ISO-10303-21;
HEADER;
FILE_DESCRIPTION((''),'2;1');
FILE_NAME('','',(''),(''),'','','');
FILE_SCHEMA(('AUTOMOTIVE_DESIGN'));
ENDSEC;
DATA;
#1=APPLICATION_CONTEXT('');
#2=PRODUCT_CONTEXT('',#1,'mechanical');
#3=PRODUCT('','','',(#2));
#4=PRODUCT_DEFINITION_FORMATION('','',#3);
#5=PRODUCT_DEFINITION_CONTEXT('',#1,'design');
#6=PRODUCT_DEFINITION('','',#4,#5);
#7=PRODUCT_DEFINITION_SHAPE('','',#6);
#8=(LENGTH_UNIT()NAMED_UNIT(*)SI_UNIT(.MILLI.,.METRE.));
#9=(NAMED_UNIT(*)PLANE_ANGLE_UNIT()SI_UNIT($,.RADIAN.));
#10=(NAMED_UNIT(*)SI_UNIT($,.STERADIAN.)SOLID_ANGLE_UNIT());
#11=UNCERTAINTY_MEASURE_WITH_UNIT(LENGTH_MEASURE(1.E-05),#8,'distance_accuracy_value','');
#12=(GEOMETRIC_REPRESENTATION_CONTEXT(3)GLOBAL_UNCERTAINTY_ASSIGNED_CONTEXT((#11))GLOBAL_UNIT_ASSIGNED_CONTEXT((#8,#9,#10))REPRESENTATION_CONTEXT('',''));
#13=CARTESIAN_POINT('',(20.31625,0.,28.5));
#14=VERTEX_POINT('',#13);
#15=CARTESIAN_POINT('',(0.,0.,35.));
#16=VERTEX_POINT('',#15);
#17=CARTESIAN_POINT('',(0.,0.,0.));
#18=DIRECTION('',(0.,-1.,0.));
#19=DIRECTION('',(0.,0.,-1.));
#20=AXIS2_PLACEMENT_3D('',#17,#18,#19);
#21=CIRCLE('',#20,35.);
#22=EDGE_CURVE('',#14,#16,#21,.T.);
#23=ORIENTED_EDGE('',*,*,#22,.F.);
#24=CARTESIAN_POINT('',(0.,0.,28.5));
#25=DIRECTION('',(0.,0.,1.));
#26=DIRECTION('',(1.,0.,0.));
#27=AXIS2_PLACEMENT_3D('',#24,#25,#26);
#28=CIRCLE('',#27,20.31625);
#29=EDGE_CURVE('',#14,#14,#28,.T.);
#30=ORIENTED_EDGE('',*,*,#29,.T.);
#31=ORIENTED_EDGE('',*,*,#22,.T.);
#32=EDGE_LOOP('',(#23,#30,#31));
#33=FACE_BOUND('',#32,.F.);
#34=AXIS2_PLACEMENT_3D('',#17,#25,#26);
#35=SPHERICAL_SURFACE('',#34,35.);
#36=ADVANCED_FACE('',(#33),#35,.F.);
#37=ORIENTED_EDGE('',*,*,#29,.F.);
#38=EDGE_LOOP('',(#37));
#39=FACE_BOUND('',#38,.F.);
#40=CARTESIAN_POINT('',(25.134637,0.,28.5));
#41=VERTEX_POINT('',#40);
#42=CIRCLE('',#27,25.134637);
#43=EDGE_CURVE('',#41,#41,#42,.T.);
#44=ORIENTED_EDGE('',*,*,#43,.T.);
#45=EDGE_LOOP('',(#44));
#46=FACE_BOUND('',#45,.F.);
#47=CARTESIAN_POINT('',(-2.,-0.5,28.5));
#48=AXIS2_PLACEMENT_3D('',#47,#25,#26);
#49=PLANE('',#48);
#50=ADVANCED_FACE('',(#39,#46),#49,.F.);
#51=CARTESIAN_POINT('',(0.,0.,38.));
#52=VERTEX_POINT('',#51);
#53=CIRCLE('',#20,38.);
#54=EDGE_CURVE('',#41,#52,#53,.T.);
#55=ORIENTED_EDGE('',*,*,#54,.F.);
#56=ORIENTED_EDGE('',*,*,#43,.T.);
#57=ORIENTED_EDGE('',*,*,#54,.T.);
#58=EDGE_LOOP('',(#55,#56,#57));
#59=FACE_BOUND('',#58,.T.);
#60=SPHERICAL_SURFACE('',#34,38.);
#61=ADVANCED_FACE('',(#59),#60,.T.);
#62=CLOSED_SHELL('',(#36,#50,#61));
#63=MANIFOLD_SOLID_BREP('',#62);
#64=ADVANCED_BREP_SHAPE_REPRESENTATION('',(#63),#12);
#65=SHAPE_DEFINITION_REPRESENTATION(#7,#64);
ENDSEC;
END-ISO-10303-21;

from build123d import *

# Parameters (mm, degrees)
CYLINDER032_R               = 9
CYLINDER032_DEPTH           = 10
CYLINDER032_PITCH_ANGLE     = 90
BOX034_W                    = 10
BOX034_H                    = 18
BOX034_DEPTH                = 6
CYLINDER031_R               = 9
CYLINDER031_DEPTH           = 10
CYLINDER031_PITCH_ANGLE     = 90
CYLINDER030_R               = 7.5
CYLINDER030_DEPTH           = 20
CYLINDER030_PITCH_ANGLE     = 90
BOX030_W                    = 98
BOX030_H                    = 98
BOX030_DEPTH                = 98
CYLINDER028_R               = 4
CYLINDER028_DEPTH           = 52
CYLINDER028_PITCH_ANGLE     = -90
CYLINDER028_PLACEMENT_ANGLE = 170
BOX032_W                    = 120
BOX032_H                    = 64
BOX032_DEPTH                = 15
BOX032_PLACEMENT_ANGLE      = 45
BOX031_W                    = 120
BOX031_H                    = 61
BOX031_DEPTH                = 15
BOX031_PLACEMENT_ANGLE      = -10
CYLINDER029_R               = 52
CYLINDER029_DEPTH           = 8
CYLINDER027_R               = 4
CYLINDER027_DEPTH           = 52
CYLINDER027_PITCH_ANGLE     = -90
CYLINDER027_PLACEMENT_ANGLE = 45
BOX033_W                    = 10
BOX033_H                    = 47
BOX033_DEPTH                = 24
BOX028_W                    = 74
BOX028_H                    = 59
BOX028_DEPTH                = 24


with BuildPart() as cilindro024:
    # Cylinder032 → Cylinder032 (new body)
    with BuildSketch(Plane.XY):
        Circle(CYLINDER032_R)
    extrude(amount=CYLINDER032_DEPTH)


with BuildPart() as cilindro024_1:
    # Cylinder032 pitch: moved
    add(cilindro024.part.rotate(Axis((0, 0, 0), (0, 1, 0)), CYLINDER032_PITCH_ANGLE))


with BuildPart() as cilindro024_2:
    # Cylinder032 placement: moved
    add(cilindro024_1.part.moved(Location((-33, 0, 3))))


with BuildPart() as cubo027:
    # Box034 → Box034 (new body)
    with BuildSketch(Plane(origin=(-33, -9, -3), x_dir=(1, 0, 0), z_dir=(0, 0, 1))):
        with Locations((5, 9)):
            Rectangle(BOX034_W, BOX034_H)
    extrude(amount=BOX034_DEPTH)


with BuildPart() as huecocamara002:
    # Cylinder031 → Cylinder031 (new body)
    with BuildSketch(Plane.XY):
        Circle(CYLINDER031_R)
    extrude(amount=CYLINDER031_DEPTH)


with BuildPart() as huecocamara002_1:
    # Cylinder031 pitch: moved
    add(huecocamara002.part.rotate(Axis((0, 0, 0), (0, 1, 0)), CYLINDER031_PITCH_ANGLE))


with BuildPart() as huecocamara002_2:
    # Cylinder031 placement: moved
    add(huecocamara002_1.part.moved(Location((-33, 0, -3))))

    # Fusion022: union Cilindro024, Cubo027
    add(cilindro024_2.part)
    add(cubo027.part)


with BuildPart() as objetivo003:
    # Cylinder030 → Cylinder030 (new body)
    with BuildSketch(Plane.XY):
        Circle(CYLINDER030_R)
    extrude(amount=CYLINDER030_DEPTH)


with BuildPart() as objetivo003_1:
    # Cylinder030 pitch: moved
    add(objetivo003.part.rotate(Axis((0, 0, 0), (0, 1, 0)), CYLINDER030_PITCH_ANGLE))


with BuildPart() as objetivo003_2:
    # Cylinder030 placement: moved
    add(objetivo003_1.part.moved(Location((-46, 0, 0))))


with BuildPart() as quitamitadesizquierda001:
    # Box030 → Box030 (new body)
    with BuildSketch(Plane(origin=(-51, 49, 0), x_dir=(1, 0, 0), z_dir=(0, 0, -1))):
        with Locations((49, 49)):
            Rectangle(BOX030_W, BOX030_H)
    extrude(amount=BOX030_DEPTH)


with BuildPart() as cilindro021:
    # Cylinder028 → Cylinder028 (new body)
    with BuildSketch(Plane.XY):
        Circle(CYLINDER028_R)
    extrude(amount=CYLINDER028_DEPTH)


with BuildPart() as cilindro021_1:
    # Cylinder028 pitch: moved
    add(cilindro021.part.rotate(Axis((0, 0, 0), (0, 1, 0)), CYLINDER028_PITCH_ANGLE))


with BuildPart() as cilindro021_2:
    # Cylinder028 placement: moved
    add(cilindro021_1.part.rotate(Axis((0, 0, 0), (0, 0, 1)), CYLINDER028_PLACEMENT_ANGLE))


with BuildPart() as cubo025:
    # Box032 → Box032 (new body)
    with BuildSketch(Plane.XY):
        with Locations((60, 32)):
            Rectangle(BOX032_W, BOX032_H)
    extrude(amount=BOX032_DEPTH)


with BuildPart() as cubo025_1:
    # Box032 placement: moved
    add(cubo025.part.moved(Location((-42.426407, -42.426407, -9))).rotate(Axis((-42.426407, -42.426407, -9), (0, 0, 1)), BOX032_PLACEMENT_ANGLE))


with BuildPart() as cubo024:
    # Box031 → Box031 (new body)
    with BuildSketch(Plane.XY):
        with Locations((60, 30.5)):
            Rectangle(BOX031_W, BOX031_H)
    extrude(amount=BOX031_DEPTH)


with BuildPart() as cubo024_1:
    # Box031 placement: moved
    add(cubo024.part.moved(Location((-59.088465, 10.418891, -8))).rotate(Axis((-59.088465, 10.418891, -8), (0, 0, 1)), BOX031_PLACEMENT_ANGLE))


with BuildPart() as cut043:
    # Cylinder029 → Cylinder029 (new body)
    with BuildSketch(Plane.XY.offset(-4)):
        Circle(CYLINDER029_R)
    extrude(amount=CYLINDER029_DEPTH)

    # Cut045: cut Cubo024
    add(cubo024_1.part, mode=Mode.SUBTRACT)

    # Cut043: cut Cubo025
    add(cubo025_1.part, mode=Mode.SUBTRACT)


with BuildPart() as ranura005:
    # Cylinder027 → Cylinder027 (new body)
    with BuildSketch(Plane.XY):
        Circle(CYLINDER027_R)
    extrude(amount=CYLINDER027_DEPTH)


with BuildPart() as ranura005_1:
    # Cylinder027 pitch: moved
    add(ranura005.part.rotate(Axis((0, 0, 0), (0, 1, 0)), CYLINDER027_PITCH_ANGLE))


with BuildPart() as ranura005_2:
    # Cylinder027 placement: moved
    add(ranura005_1.part.rotate(Axis((0, 0, 0), (0, 0, 1)), CYLINDER027_PLACEMENT_ANGLE))

    # Fusion020: union Cilindro021, Cut043
    add(cilindro021_2.part)
    add(cut043.part)


with BuildPart() as vaciocarcasa004:
    # Sphere006 → Sphere006 (revolve)
    with BuildSketch(Plane.XZ):
        with BuildLine():
            ThreePointArc((0, -35), (35, 0), (0, 35))
            Line((0, 35), (0, -35))
        make_face()
    revolve(axis=Axis((0, 0, 0), (0, 0, 1)))


with BuildPart() as semider005:
    # Sphere007 → Sphere007 (revolve)
    with BuildSketch(Plane.XZ):
        with BuildLine():
            ThreePointArc((0, -38), (38, 0), (0, 38))
            Line((0, 38), (0, -38))
        make_face()
    revolve(axis=Axis((0, 0, 0), (0, 0, 1)))

    # Cut044: cut VacioCarcasa004
    add(vaciocarcasa004.part, mode=Mode.SUBTRACT)

    # Cut042: cut Ranura005
    add(ranura005_2.part, mode=Mode.SUBTRACT)

    # Cut046: cut QuitamitadesIzquierda001
    add(quitamitadesizquierda001.part, mode=Mode.SUBTRACT)


with BuildPart() as vaciocarcasa005:
    # Sphere008 → Sphere008 (revolve)
    with BuildSketch(Plane.XZ):
        with BuildLine():
            ThreePointArc((0, -35), (35, 0), (0, 35))
            Line((0, 35), (0, -35))
        make_face()
    revolve(axis=Axis((0, 0, 0), (0, 0, 1)))


with BuildPart() as semider008:
    # Box033 → Box033 (new body)
    with BuildSketch(Plane(origin=(-38, -22, 0), x_dir=(1, 0, 0), z_dir=(0, 0, 1))):
        with Locations((5, 23.5)):
            Rectangle(BOX033_W, BOX033_H)
    extrude(amount=BOX033_DEPTH)

    # Common002: intersect VacioCarcasa005
    add(vaciocarcasa005.part, mode=Mode.INTERSECT)

    # Fusion021: union SemiDer005
    add(semider005.part)

    # Cut047: cut Objetivo003
    add(objetivo003_2.part, mode=Mode.SUBTRACT)

    # Cut048: cut HuecoCamara002
    add(huecocamara002_2.part, mode=Mode.SUBTRACT)


with BuildPart() as tapader1:
    # Box028 → Box028 (new body)
    with BuildSketch(Plane(origin=(-39, -30, 28.5), x_dir=(1, 0, 0), z_dir=(0, 0, 1))):
        with Locations((37, 29.5)):
            Rectangle(BOX028_W, BOX028_H)
    extrude(amount=BOX028_DEPTH)

    # Common003: intersect SemiDer008
    add(semider008.part, mode=Mode.INTERSECT)


solid = tapader1.part
